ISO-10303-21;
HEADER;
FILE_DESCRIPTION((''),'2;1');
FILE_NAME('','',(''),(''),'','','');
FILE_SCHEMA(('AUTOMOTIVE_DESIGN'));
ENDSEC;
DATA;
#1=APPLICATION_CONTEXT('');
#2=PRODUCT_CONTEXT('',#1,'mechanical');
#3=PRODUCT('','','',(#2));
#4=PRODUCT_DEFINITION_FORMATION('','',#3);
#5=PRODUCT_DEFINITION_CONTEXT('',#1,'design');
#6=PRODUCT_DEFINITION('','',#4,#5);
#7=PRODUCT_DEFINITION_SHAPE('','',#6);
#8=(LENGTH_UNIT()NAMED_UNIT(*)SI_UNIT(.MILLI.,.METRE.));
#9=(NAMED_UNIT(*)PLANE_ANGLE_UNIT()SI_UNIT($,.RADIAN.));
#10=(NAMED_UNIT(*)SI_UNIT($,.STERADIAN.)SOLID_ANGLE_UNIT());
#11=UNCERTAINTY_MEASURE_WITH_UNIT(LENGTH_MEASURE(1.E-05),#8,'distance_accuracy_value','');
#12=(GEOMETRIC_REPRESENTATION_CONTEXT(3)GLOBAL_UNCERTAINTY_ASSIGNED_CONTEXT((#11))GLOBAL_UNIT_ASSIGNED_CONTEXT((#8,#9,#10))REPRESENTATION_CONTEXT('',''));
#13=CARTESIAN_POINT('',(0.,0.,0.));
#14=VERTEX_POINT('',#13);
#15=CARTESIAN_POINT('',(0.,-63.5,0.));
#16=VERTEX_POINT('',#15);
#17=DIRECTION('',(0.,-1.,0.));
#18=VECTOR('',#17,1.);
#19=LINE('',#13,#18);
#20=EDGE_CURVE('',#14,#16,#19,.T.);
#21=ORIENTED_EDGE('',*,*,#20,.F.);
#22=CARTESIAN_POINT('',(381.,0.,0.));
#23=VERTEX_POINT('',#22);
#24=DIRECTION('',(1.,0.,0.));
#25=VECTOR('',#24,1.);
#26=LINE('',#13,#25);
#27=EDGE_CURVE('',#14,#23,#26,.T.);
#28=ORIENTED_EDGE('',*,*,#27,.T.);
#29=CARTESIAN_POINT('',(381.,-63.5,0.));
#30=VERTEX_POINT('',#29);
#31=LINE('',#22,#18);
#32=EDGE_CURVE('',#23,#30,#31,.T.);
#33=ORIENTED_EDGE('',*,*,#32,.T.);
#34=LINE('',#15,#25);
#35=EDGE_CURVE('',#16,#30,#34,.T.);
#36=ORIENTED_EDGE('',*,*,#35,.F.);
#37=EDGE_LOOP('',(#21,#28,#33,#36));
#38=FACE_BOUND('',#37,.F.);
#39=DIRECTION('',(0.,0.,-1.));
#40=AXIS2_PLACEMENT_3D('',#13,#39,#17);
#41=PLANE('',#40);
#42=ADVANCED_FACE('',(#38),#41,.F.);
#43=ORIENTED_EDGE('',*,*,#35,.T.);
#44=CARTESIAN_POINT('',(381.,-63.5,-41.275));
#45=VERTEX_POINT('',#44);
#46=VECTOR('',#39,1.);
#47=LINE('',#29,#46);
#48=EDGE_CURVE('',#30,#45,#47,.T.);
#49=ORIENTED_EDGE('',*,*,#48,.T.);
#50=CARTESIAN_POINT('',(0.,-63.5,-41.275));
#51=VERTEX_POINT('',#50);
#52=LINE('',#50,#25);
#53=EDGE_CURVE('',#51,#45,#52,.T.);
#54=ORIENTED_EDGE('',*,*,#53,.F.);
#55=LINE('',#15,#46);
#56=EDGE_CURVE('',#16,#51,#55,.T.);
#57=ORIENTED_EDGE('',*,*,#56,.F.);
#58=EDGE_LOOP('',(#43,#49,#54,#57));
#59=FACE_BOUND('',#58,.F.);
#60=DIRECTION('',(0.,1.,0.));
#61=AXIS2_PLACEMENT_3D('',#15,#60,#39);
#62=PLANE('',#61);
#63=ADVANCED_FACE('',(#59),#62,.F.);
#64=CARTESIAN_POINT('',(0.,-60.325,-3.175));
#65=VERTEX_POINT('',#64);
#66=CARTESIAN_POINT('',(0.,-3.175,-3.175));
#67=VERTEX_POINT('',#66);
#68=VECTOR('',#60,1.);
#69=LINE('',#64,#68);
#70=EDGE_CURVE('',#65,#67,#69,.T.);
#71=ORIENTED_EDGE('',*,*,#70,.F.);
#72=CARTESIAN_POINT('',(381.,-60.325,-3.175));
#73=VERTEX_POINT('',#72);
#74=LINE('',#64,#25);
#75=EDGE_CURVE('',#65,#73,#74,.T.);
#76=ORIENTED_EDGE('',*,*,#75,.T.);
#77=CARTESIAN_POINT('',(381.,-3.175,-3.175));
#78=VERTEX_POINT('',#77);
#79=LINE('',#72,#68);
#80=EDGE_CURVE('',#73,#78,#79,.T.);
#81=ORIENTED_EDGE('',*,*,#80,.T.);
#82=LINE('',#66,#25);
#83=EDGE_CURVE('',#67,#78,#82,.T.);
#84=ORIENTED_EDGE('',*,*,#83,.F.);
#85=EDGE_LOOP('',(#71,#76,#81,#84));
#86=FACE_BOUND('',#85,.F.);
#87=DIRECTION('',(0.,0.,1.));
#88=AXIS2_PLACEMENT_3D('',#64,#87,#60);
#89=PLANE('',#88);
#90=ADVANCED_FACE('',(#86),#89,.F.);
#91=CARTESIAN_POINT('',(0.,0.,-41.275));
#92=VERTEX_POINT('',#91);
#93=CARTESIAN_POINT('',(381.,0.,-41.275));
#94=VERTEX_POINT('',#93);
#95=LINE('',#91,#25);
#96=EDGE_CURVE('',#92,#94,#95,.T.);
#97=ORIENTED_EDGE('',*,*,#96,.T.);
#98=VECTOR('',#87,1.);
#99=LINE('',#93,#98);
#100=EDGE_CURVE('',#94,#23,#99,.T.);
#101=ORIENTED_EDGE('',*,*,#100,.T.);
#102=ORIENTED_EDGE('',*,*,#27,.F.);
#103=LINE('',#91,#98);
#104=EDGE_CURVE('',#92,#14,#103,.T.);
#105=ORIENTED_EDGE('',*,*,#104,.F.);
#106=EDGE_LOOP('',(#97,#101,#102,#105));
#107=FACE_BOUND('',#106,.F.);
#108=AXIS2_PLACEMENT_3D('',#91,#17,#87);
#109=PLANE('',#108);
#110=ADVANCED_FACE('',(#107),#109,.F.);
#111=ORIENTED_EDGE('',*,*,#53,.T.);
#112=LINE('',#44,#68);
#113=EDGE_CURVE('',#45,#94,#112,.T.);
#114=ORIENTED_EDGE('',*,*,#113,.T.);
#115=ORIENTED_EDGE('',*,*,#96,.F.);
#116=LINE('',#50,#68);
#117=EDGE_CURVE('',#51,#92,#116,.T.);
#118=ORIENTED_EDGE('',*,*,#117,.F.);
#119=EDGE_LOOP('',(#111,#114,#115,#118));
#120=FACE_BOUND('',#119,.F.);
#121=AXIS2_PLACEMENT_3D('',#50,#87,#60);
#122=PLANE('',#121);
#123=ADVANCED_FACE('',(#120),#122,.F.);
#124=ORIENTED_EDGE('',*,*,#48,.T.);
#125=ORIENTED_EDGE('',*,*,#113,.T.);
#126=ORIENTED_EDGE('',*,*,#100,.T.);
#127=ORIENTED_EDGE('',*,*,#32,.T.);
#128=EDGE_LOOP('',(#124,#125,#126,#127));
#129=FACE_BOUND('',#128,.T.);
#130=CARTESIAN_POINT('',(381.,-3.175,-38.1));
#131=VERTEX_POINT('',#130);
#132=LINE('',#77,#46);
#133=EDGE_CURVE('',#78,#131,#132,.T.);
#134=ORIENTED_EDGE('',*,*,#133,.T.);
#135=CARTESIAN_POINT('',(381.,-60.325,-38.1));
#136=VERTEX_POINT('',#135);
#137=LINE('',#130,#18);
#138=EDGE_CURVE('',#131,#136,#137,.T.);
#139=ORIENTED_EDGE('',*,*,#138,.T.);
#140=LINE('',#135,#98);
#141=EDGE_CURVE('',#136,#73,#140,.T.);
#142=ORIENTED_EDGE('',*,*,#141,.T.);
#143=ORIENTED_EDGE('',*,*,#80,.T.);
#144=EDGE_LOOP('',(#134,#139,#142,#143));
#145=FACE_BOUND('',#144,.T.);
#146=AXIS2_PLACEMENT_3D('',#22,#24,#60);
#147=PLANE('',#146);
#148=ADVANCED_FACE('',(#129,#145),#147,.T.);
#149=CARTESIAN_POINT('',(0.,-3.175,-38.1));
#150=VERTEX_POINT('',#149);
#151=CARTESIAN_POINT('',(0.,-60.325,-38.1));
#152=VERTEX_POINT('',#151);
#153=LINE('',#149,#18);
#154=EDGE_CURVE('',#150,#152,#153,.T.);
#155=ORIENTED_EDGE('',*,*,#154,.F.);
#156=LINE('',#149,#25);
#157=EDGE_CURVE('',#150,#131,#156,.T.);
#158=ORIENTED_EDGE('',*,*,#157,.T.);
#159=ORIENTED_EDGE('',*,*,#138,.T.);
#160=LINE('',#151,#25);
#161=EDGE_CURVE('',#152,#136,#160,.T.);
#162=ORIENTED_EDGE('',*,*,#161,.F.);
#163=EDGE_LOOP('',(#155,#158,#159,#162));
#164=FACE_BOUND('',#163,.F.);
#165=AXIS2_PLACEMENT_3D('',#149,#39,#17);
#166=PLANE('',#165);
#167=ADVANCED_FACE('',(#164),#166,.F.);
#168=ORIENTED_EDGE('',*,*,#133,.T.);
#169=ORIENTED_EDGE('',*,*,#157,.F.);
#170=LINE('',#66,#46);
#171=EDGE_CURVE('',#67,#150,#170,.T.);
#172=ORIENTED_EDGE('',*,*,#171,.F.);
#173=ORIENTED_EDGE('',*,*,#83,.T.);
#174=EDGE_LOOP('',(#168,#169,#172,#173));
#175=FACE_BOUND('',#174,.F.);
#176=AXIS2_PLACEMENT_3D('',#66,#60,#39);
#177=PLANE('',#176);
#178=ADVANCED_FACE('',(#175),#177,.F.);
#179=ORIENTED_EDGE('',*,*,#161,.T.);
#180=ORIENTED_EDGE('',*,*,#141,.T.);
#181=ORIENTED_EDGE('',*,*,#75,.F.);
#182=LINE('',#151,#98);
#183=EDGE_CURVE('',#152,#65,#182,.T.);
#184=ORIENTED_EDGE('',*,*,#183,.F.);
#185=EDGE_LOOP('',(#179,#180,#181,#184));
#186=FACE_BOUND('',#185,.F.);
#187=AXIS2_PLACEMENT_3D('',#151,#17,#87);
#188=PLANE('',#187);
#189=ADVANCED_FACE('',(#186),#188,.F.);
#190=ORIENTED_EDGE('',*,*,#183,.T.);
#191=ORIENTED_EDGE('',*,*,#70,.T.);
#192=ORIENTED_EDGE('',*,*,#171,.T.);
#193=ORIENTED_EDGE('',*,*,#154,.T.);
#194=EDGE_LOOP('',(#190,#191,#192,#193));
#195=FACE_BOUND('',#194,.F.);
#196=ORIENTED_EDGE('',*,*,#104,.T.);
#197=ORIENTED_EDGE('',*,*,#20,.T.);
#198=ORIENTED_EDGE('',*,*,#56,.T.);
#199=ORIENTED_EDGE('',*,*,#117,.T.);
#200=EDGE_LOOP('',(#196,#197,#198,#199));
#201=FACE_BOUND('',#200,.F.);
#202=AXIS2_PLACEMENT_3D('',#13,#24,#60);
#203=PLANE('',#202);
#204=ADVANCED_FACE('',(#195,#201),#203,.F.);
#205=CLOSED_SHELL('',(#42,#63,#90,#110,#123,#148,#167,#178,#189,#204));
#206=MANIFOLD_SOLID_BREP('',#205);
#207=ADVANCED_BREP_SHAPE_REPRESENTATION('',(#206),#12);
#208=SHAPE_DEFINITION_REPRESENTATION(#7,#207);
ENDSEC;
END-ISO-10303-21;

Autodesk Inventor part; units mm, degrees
ref_plane "YZ Plane" through (0, 0, 0) normal (1, 0, 0) x (0, 1, 0)
ref_plane "XZ Plane" through (0, 0, 0) normal (0, 1, 0) x (-1, 0, 0)
ref_plane "XY Plane" through (0, 0, 0) normal (0, 0, 1) x (1, 0, 0)
sketch "Sketch1" plane through (0, 0, 0) normal (1, 0, 0) x (0, 1, 0)
  line L0 (0, 0) -> (-63.5, 0)
  line L1 (-63.5, 0) -> (-63.5, -41.275)
  line L2 (-63.5, -41.275) -> (0, -41.275)
  line L3 (0, -41.275) -> (0, 0)
  line L4 (-60.325, -38.1) -> (-60.325, -3.175)
  line L5 (-60.325, -3.175) -> (-3.175, -3.175)
  line L6 (-3.175, -3.175) -> (-3.175, -38.1)
  line L7 (-3.175, -38.1) -> (-60.325, -38.1)
  dimension "d0" = 63.5
  dimension "d1" = 41.275
  dimension "d2" = 63.5
  dimension "d3" = 41.275
  dimension "d4" = 3.175
extrude "Extrusion1" add sketch "Sketch1" along normal blind 381
properties part number "base"
